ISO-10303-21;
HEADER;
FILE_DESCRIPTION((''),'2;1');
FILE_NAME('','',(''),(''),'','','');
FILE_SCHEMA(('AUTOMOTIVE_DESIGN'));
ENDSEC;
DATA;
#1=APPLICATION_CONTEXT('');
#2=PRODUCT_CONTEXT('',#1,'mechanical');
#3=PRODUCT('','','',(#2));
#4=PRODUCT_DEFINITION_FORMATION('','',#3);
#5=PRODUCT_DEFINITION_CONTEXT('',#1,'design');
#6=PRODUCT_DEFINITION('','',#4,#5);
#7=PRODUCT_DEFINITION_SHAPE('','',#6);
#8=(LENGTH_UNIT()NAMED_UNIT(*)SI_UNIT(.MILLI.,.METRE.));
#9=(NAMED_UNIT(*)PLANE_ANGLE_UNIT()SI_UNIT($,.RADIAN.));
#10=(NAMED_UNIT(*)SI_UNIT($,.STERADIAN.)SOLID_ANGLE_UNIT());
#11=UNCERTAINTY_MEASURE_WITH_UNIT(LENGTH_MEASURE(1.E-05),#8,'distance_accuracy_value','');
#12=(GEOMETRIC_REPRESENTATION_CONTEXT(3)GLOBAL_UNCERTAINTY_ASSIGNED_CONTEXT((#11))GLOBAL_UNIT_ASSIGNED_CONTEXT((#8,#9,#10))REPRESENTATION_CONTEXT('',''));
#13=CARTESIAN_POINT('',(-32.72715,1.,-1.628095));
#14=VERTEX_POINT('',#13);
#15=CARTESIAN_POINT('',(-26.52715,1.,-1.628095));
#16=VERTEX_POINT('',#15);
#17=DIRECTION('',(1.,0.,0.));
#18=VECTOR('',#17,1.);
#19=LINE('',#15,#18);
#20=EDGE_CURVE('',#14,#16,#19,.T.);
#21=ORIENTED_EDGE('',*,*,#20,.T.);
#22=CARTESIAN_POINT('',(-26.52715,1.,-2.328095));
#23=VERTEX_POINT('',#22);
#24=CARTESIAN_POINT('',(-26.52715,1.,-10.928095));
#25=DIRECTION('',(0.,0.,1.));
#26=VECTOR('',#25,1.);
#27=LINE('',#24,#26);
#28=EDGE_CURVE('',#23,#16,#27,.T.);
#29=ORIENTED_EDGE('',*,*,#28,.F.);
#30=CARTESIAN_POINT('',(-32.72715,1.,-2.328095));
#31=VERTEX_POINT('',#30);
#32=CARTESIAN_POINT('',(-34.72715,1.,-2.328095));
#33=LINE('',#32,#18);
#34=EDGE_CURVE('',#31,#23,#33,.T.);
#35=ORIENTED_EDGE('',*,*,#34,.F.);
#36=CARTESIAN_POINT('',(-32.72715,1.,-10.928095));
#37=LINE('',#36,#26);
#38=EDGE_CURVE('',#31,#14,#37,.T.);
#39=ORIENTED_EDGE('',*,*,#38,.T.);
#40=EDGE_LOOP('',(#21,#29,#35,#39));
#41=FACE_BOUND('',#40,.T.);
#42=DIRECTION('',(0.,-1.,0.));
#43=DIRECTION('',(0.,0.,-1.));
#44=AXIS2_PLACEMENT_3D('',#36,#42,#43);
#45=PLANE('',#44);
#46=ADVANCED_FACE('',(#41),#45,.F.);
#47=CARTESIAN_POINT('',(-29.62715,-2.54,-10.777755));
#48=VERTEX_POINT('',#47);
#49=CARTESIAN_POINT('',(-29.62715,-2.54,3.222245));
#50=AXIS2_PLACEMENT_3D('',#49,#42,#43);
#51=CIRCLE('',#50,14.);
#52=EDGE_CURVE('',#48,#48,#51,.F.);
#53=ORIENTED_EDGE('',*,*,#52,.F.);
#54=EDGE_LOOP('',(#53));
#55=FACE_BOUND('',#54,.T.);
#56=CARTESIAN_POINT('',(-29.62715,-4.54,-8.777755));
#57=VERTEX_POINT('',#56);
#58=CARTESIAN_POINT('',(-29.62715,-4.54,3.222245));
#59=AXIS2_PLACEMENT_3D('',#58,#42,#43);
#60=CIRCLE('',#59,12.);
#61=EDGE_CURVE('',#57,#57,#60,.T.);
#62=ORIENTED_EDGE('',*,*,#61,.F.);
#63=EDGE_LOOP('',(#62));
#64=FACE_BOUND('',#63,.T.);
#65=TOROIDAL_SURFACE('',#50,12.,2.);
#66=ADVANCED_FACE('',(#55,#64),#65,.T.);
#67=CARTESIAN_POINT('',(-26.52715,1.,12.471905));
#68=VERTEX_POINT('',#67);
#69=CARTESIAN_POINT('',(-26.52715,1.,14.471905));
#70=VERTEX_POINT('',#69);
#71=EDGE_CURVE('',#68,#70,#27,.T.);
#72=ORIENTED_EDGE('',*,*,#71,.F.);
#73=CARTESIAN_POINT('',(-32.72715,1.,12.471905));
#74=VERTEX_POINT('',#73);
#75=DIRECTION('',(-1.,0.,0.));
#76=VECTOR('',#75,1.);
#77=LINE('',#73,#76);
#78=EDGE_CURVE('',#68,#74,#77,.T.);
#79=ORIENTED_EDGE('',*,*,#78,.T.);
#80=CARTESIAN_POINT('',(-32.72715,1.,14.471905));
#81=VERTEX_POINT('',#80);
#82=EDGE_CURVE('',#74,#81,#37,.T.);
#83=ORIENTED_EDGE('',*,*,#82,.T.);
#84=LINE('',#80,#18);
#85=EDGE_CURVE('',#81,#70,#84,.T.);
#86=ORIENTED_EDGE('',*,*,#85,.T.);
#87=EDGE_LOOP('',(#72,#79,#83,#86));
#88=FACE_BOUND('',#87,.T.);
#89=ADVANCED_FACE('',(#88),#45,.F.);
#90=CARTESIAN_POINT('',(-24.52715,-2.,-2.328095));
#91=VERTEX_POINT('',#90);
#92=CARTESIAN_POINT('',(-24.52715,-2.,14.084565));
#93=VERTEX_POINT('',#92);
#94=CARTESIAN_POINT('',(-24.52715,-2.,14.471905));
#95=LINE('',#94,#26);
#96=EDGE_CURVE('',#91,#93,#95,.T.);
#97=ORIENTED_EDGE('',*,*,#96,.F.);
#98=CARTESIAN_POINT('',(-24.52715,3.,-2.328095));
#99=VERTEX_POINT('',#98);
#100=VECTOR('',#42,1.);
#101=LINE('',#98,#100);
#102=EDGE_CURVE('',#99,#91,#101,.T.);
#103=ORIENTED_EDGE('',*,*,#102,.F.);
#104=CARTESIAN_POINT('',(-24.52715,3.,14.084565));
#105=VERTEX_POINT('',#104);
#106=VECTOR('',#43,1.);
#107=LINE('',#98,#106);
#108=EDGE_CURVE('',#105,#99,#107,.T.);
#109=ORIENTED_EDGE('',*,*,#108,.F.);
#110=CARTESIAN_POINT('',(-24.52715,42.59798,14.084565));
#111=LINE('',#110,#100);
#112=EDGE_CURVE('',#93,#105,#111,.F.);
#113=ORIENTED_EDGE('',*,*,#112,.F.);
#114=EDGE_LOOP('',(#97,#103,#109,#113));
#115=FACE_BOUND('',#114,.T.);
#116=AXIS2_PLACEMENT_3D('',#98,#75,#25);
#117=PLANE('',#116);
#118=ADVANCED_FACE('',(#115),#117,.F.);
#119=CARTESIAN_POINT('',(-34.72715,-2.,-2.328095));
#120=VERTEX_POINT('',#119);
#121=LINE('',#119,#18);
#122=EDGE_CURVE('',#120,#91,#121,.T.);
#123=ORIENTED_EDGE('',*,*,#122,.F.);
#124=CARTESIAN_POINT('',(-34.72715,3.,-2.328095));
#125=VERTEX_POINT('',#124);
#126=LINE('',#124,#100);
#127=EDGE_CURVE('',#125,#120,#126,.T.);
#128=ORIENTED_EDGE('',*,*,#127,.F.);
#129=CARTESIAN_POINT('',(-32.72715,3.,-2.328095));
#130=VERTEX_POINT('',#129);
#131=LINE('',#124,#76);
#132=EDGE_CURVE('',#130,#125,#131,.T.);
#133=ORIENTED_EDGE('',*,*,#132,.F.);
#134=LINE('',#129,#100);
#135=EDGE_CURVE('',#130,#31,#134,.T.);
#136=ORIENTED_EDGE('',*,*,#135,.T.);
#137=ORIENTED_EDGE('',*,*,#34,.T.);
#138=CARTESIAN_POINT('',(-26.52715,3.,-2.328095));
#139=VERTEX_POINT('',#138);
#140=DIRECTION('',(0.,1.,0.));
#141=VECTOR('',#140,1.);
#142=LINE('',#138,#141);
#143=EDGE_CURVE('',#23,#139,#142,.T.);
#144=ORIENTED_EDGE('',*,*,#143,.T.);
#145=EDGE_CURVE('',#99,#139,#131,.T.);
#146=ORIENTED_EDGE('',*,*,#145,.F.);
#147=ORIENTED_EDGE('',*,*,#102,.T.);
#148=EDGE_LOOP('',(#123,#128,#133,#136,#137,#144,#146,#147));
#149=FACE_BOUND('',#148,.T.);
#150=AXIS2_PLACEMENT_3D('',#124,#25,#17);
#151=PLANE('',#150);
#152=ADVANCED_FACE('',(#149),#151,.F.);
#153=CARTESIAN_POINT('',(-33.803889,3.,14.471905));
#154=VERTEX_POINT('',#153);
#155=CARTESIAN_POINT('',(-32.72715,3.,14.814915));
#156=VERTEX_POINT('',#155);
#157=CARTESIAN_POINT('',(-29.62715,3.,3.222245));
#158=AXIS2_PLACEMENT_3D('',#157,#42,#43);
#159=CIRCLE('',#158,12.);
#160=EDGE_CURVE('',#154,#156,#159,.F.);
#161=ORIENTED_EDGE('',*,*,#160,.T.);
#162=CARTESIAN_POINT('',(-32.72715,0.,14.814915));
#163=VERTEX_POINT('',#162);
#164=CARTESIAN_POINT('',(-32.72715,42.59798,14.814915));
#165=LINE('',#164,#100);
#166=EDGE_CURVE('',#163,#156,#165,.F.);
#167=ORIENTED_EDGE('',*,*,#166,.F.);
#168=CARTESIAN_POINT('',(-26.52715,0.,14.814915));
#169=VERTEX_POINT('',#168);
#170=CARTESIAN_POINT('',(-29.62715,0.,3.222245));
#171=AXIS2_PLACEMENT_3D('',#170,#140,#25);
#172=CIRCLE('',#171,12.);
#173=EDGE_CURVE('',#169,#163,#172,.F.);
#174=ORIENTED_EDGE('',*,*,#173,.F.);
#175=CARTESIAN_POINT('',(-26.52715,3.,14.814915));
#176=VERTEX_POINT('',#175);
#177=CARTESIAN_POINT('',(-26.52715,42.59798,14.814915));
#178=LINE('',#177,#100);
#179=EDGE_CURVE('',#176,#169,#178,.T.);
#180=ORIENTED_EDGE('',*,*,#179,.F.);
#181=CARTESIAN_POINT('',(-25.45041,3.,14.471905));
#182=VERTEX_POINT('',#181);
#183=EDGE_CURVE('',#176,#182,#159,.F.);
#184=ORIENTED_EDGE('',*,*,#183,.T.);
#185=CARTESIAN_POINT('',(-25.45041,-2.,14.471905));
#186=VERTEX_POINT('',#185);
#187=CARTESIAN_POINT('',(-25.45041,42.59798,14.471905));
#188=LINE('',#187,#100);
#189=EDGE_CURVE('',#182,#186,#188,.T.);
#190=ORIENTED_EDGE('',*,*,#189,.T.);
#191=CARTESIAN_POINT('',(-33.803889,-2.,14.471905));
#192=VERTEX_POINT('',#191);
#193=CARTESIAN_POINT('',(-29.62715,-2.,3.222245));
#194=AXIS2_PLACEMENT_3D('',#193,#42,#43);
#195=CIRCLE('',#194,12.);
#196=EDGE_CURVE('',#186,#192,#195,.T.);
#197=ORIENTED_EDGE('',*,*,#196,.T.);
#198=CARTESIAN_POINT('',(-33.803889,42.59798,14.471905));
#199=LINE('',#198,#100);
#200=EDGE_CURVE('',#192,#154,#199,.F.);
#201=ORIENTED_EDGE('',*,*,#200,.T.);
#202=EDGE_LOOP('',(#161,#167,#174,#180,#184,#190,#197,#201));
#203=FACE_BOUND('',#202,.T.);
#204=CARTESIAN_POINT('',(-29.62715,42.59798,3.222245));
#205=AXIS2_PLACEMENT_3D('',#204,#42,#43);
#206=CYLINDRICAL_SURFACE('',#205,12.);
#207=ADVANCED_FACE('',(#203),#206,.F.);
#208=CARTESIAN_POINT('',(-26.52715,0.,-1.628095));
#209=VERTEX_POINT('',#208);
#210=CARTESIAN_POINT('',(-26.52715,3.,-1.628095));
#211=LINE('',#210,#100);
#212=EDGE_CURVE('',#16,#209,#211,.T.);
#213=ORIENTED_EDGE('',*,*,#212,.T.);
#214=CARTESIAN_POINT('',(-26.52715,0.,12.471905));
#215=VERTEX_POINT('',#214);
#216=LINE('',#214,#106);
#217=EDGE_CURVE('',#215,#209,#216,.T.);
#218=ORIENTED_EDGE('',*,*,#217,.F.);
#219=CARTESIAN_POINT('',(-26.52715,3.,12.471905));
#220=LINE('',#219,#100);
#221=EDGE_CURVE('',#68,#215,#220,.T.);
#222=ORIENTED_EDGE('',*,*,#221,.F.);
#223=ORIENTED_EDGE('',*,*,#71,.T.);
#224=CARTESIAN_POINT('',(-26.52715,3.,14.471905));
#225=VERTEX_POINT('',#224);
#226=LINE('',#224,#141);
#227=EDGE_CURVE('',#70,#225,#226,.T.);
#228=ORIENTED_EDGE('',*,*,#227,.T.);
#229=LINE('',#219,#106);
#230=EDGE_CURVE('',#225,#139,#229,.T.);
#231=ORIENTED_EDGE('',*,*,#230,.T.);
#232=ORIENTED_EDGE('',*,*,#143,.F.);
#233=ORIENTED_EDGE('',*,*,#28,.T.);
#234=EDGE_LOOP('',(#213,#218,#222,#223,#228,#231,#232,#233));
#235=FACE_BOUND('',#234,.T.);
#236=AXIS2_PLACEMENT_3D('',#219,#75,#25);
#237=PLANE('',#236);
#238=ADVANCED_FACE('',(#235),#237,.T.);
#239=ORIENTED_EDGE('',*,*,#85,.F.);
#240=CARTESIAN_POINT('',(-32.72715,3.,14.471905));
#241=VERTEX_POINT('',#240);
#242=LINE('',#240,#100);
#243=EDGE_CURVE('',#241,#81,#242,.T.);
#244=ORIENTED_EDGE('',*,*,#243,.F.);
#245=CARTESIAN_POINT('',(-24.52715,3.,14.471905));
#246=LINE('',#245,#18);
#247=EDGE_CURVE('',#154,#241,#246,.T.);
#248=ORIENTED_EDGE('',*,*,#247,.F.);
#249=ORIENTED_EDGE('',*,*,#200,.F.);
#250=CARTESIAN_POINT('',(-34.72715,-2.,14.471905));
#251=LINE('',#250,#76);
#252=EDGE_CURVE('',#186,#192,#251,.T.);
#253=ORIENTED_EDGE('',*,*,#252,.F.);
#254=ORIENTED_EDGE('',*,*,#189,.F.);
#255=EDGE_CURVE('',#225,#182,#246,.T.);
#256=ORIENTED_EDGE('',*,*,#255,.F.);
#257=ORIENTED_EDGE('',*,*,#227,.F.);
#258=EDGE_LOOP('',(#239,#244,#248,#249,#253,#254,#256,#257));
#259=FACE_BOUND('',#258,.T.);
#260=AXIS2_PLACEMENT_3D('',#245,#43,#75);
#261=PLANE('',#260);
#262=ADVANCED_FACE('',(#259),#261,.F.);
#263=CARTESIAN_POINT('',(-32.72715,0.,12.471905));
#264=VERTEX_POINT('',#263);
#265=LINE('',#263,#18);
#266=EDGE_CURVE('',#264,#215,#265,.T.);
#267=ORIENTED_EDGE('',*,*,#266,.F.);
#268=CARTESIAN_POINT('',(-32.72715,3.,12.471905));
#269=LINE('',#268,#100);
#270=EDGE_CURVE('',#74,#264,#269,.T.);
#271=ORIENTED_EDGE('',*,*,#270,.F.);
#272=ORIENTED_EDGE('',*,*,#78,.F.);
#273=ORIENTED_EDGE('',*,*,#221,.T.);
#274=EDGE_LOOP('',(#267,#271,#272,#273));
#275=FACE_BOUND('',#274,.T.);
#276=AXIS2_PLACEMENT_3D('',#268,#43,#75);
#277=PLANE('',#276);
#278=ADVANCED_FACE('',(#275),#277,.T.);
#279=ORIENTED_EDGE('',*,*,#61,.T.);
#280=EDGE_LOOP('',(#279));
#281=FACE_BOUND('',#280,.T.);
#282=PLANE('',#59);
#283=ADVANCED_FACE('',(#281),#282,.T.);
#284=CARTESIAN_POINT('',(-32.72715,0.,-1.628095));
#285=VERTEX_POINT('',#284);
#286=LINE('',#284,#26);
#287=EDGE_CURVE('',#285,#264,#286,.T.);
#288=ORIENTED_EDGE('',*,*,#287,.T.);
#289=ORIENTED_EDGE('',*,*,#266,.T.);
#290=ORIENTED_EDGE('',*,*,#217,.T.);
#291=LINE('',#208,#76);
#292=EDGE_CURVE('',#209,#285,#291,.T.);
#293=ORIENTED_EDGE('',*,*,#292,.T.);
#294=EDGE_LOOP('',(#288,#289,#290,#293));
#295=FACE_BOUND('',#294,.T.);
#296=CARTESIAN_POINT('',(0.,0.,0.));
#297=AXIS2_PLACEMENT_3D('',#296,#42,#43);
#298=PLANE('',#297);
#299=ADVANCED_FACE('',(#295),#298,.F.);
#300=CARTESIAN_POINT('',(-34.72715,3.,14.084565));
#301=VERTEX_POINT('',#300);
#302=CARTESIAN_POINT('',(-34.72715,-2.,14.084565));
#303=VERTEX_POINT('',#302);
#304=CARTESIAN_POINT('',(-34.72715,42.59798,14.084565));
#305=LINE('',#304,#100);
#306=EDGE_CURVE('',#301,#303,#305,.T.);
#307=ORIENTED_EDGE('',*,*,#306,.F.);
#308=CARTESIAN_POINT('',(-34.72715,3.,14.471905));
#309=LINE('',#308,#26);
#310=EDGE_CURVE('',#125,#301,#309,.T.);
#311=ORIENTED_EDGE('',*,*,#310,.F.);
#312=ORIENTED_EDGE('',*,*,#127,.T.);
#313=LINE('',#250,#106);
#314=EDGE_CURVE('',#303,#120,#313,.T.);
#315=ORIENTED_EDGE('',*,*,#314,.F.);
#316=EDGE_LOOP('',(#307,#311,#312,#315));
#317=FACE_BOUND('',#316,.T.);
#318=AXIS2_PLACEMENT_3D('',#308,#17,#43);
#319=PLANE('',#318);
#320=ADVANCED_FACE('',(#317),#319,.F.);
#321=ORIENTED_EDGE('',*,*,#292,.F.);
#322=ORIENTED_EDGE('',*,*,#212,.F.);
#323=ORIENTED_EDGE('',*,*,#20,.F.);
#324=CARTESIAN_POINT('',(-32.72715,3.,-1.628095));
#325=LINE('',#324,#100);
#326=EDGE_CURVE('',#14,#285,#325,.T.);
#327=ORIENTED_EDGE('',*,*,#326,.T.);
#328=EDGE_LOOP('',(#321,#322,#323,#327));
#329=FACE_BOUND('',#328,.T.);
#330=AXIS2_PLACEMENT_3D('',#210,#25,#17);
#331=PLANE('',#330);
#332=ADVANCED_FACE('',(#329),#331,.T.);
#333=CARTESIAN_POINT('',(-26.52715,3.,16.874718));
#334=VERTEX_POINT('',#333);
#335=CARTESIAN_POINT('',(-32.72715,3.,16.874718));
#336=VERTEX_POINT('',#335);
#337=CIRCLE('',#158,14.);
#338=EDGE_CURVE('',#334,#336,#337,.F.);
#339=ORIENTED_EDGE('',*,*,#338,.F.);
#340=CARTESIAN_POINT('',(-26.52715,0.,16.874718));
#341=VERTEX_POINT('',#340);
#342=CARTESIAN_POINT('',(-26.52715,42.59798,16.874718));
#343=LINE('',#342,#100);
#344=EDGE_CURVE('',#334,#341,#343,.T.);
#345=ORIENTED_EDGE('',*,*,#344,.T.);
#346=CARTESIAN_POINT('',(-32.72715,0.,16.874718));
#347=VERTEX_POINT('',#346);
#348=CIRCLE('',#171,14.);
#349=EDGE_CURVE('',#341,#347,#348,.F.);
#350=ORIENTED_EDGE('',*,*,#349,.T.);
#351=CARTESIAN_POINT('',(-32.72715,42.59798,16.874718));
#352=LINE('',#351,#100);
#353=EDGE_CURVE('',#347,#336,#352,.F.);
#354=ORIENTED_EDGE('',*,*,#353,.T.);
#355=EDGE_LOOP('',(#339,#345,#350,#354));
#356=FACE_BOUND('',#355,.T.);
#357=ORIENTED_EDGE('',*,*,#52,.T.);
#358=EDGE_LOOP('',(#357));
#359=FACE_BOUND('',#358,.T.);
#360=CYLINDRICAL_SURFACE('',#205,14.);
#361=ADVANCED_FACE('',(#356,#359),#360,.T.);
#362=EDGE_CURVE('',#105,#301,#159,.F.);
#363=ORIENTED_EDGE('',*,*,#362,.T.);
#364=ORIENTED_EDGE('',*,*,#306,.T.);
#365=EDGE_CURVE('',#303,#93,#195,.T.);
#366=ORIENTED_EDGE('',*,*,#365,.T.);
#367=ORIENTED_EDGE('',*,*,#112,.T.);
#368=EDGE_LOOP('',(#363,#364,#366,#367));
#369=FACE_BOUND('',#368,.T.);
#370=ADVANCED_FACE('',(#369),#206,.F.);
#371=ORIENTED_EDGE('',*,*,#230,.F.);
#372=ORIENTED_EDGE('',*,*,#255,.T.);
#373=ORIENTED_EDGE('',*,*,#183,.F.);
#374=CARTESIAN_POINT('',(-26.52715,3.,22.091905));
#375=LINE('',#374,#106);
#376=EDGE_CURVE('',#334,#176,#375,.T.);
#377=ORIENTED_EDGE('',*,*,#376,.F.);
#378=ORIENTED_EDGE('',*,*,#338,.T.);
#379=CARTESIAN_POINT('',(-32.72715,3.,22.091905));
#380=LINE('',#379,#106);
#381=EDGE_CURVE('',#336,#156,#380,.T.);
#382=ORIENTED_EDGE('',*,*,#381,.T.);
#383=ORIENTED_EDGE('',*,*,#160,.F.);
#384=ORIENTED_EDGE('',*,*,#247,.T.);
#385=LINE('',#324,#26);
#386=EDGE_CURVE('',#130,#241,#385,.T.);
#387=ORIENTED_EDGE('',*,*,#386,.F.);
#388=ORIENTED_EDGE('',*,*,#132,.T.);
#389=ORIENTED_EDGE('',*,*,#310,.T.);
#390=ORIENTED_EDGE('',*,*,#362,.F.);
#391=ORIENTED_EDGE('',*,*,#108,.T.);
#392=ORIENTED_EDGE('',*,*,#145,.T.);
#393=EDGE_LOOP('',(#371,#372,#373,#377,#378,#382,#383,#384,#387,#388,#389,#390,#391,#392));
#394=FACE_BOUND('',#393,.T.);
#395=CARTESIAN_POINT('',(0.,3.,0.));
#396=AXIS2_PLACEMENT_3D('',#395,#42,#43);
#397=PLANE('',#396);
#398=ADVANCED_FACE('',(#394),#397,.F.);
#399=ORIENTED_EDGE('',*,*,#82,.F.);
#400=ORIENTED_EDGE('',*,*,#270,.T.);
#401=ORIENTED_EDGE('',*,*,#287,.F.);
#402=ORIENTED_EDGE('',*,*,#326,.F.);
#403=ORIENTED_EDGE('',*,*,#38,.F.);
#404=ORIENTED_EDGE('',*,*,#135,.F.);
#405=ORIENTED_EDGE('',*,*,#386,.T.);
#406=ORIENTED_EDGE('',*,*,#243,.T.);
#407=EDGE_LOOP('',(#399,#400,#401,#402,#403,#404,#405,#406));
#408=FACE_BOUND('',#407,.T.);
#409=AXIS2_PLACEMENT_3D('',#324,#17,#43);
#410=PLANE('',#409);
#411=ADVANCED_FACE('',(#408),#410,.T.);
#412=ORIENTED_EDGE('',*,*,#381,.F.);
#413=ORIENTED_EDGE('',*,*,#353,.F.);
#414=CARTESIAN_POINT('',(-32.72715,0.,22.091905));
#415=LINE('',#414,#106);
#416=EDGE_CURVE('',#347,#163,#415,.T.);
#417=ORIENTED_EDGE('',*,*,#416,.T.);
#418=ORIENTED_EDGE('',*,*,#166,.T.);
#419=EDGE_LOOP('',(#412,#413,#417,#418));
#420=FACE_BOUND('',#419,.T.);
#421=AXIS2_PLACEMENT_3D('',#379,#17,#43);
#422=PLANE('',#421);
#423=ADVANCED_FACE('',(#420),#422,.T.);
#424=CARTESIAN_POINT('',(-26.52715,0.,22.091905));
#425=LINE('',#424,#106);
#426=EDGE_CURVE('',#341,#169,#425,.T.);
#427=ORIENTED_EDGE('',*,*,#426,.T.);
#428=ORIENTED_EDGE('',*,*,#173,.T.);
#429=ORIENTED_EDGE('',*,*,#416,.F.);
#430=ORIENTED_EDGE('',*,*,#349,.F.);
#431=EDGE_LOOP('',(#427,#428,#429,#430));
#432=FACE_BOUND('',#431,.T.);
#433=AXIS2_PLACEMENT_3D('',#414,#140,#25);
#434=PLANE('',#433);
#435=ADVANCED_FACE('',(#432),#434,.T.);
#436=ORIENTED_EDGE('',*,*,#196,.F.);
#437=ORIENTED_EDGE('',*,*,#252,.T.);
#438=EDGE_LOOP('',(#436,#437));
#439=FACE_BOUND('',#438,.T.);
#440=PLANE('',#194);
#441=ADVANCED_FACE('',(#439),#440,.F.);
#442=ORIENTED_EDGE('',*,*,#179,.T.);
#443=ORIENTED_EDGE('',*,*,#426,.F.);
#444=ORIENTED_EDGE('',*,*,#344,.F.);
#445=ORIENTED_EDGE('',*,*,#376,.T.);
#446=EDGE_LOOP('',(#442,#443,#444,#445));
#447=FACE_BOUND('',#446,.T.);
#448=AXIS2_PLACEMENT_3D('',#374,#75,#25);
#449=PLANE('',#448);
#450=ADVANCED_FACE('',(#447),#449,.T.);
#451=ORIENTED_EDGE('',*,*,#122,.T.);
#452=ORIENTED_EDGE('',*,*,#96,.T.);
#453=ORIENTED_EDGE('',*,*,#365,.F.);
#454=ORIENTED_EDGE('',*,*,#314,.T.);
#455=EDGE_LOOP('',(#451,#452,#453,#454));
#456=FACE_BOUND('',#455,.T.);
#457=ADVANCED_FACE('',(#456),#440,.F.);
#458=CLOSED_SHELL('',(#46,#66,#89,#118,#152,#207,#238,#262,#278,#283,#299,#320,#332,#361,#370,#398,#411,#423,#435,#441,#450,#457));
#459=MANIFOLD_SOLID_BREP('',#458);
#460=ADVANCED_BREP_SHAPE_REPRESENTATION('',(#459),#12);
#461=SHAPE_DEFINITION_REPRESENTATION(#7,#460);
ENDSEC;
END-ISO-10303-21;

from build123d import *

# Parameters (mm, degrees)
SKETCH1_W           = 10.2
SKETCH1_H           = 16.8
SKETCH1_W_2         = 6.2
SKETCH1_H_2         = 14.1
BOSS_EXTRUDE1_DEPTH = 3
SKETCH2_W           = 6.2
SKETCH2_H           = 2
CUT_EXTRUDE1_DEPTH  = 25.4
SKETCH3_W           = 10.2
SKETCH3_H           = 16.8
BOSS_EXTRUDE2_DEPTH = 2
SKETCH4_R           = 14
SKETCH4_R_2         = 12
BOSS_EXTRUDE4_DEPTH = 5
BOSS_EXTRUDE5_START = 2.54
SKETCH5_R           = 14
BOSS_EXTRUDE5_DEPTH = 2.54
SKETCH6_W           = 6.2
SKETCH6_H           = 3
CUT_EXTRUDE2_DEPTH  = 7.62
FILLET1_R           = 2


with BuildPart() as part:
    # Sketch1 → Boss-Extrude1 (new body)
    with BuildSketch(Plane(origin=(0, 0, 0), x_dir=(1, 0, 0), z_dir=(0, 1, 0))):
        with Locations((-29.627149571, -6.071905286)):
            Rectangle(SKETCH1_W, SKETCH1_H)
        with Locations((-29.627149571, -5.421905286)):
            Rectangle(SKETCH1_W_2, SKETCH1_H_2, mode=Mode.SUBTRACT)
    extrude(amount=BOSS_EXTRUDE1_DEPTH)

    # Sketch2 → Cut-Extrude1 (cut)
    with BuildSketch(Plane.XY.offset(14.471905286)):
        with Locations((-29.627149571, 2)):
            Rectangle(SKETCH2_W, SKETCH2_H)
    extrude(amount=-CUT_EXTRUDE1_DEPTH, mode=Mode.SUBTRACT)

    # Sketch3 → Boss-Extrude2 (add)
    with BuildSketch(Plane.XZ):
        with Locations((-29.627149571, 6.071905286)):
            Rectangle(SKETCH3_W, SKETCH3_H)
    extrude(amount=BOSS_EXTRUDE2_DEPTH)

    # Sketch4 → Boss-Extrude4 (add)
    with BuildSketch(Plane.XZ.offset(2)):
        with Locations(Location((-29.627149571, 3.222245286, 0), (0, 0, 270))):
            Circle(SKETCH4_R)
        with Locations((-29.627149571, 3.222245286)):
            Circle(SKETCH4_R_2, mode=Mode.SUBTRACT)
    extrude(amount=-BOSS_EXTRUDE4_DEPTH)

    # Sketch5 → Boss-Extrude5 (add)
    with BuildSketch(Plane.XZ.offset(2).offset(BOSS_EXTRUDE5_START)):
        with Locations(Location((-29.627149571, 3.222245286, 0), (0, 0, 270))):
            Circle(SKETCH5_R)
    extrude(amount=-BOSS_EXTRUDE5_DEPTH)

    # Sketch6 → Cut-Extrude2 (cut)
    with BuildSketch(Plane.XY.offset(14.471905286)):
        with Locations((-29.627149571, 1.5)):
            Rectangle(SKETCH6_W, SKETCH6_H)
    extrude(amount=CUT_EXTRUDE2_DEPTH, mode=Mode.SUBTRACT)

    # Fillet1
    fillet1_edges = [part.edges().sort_by_distance(p)[0] for p in [
        (-29.627149571, -4.54, 17.222245286),
    ]]
    fillet(fillet1_edges, radius=FILLET1_R)


solid = part.part
